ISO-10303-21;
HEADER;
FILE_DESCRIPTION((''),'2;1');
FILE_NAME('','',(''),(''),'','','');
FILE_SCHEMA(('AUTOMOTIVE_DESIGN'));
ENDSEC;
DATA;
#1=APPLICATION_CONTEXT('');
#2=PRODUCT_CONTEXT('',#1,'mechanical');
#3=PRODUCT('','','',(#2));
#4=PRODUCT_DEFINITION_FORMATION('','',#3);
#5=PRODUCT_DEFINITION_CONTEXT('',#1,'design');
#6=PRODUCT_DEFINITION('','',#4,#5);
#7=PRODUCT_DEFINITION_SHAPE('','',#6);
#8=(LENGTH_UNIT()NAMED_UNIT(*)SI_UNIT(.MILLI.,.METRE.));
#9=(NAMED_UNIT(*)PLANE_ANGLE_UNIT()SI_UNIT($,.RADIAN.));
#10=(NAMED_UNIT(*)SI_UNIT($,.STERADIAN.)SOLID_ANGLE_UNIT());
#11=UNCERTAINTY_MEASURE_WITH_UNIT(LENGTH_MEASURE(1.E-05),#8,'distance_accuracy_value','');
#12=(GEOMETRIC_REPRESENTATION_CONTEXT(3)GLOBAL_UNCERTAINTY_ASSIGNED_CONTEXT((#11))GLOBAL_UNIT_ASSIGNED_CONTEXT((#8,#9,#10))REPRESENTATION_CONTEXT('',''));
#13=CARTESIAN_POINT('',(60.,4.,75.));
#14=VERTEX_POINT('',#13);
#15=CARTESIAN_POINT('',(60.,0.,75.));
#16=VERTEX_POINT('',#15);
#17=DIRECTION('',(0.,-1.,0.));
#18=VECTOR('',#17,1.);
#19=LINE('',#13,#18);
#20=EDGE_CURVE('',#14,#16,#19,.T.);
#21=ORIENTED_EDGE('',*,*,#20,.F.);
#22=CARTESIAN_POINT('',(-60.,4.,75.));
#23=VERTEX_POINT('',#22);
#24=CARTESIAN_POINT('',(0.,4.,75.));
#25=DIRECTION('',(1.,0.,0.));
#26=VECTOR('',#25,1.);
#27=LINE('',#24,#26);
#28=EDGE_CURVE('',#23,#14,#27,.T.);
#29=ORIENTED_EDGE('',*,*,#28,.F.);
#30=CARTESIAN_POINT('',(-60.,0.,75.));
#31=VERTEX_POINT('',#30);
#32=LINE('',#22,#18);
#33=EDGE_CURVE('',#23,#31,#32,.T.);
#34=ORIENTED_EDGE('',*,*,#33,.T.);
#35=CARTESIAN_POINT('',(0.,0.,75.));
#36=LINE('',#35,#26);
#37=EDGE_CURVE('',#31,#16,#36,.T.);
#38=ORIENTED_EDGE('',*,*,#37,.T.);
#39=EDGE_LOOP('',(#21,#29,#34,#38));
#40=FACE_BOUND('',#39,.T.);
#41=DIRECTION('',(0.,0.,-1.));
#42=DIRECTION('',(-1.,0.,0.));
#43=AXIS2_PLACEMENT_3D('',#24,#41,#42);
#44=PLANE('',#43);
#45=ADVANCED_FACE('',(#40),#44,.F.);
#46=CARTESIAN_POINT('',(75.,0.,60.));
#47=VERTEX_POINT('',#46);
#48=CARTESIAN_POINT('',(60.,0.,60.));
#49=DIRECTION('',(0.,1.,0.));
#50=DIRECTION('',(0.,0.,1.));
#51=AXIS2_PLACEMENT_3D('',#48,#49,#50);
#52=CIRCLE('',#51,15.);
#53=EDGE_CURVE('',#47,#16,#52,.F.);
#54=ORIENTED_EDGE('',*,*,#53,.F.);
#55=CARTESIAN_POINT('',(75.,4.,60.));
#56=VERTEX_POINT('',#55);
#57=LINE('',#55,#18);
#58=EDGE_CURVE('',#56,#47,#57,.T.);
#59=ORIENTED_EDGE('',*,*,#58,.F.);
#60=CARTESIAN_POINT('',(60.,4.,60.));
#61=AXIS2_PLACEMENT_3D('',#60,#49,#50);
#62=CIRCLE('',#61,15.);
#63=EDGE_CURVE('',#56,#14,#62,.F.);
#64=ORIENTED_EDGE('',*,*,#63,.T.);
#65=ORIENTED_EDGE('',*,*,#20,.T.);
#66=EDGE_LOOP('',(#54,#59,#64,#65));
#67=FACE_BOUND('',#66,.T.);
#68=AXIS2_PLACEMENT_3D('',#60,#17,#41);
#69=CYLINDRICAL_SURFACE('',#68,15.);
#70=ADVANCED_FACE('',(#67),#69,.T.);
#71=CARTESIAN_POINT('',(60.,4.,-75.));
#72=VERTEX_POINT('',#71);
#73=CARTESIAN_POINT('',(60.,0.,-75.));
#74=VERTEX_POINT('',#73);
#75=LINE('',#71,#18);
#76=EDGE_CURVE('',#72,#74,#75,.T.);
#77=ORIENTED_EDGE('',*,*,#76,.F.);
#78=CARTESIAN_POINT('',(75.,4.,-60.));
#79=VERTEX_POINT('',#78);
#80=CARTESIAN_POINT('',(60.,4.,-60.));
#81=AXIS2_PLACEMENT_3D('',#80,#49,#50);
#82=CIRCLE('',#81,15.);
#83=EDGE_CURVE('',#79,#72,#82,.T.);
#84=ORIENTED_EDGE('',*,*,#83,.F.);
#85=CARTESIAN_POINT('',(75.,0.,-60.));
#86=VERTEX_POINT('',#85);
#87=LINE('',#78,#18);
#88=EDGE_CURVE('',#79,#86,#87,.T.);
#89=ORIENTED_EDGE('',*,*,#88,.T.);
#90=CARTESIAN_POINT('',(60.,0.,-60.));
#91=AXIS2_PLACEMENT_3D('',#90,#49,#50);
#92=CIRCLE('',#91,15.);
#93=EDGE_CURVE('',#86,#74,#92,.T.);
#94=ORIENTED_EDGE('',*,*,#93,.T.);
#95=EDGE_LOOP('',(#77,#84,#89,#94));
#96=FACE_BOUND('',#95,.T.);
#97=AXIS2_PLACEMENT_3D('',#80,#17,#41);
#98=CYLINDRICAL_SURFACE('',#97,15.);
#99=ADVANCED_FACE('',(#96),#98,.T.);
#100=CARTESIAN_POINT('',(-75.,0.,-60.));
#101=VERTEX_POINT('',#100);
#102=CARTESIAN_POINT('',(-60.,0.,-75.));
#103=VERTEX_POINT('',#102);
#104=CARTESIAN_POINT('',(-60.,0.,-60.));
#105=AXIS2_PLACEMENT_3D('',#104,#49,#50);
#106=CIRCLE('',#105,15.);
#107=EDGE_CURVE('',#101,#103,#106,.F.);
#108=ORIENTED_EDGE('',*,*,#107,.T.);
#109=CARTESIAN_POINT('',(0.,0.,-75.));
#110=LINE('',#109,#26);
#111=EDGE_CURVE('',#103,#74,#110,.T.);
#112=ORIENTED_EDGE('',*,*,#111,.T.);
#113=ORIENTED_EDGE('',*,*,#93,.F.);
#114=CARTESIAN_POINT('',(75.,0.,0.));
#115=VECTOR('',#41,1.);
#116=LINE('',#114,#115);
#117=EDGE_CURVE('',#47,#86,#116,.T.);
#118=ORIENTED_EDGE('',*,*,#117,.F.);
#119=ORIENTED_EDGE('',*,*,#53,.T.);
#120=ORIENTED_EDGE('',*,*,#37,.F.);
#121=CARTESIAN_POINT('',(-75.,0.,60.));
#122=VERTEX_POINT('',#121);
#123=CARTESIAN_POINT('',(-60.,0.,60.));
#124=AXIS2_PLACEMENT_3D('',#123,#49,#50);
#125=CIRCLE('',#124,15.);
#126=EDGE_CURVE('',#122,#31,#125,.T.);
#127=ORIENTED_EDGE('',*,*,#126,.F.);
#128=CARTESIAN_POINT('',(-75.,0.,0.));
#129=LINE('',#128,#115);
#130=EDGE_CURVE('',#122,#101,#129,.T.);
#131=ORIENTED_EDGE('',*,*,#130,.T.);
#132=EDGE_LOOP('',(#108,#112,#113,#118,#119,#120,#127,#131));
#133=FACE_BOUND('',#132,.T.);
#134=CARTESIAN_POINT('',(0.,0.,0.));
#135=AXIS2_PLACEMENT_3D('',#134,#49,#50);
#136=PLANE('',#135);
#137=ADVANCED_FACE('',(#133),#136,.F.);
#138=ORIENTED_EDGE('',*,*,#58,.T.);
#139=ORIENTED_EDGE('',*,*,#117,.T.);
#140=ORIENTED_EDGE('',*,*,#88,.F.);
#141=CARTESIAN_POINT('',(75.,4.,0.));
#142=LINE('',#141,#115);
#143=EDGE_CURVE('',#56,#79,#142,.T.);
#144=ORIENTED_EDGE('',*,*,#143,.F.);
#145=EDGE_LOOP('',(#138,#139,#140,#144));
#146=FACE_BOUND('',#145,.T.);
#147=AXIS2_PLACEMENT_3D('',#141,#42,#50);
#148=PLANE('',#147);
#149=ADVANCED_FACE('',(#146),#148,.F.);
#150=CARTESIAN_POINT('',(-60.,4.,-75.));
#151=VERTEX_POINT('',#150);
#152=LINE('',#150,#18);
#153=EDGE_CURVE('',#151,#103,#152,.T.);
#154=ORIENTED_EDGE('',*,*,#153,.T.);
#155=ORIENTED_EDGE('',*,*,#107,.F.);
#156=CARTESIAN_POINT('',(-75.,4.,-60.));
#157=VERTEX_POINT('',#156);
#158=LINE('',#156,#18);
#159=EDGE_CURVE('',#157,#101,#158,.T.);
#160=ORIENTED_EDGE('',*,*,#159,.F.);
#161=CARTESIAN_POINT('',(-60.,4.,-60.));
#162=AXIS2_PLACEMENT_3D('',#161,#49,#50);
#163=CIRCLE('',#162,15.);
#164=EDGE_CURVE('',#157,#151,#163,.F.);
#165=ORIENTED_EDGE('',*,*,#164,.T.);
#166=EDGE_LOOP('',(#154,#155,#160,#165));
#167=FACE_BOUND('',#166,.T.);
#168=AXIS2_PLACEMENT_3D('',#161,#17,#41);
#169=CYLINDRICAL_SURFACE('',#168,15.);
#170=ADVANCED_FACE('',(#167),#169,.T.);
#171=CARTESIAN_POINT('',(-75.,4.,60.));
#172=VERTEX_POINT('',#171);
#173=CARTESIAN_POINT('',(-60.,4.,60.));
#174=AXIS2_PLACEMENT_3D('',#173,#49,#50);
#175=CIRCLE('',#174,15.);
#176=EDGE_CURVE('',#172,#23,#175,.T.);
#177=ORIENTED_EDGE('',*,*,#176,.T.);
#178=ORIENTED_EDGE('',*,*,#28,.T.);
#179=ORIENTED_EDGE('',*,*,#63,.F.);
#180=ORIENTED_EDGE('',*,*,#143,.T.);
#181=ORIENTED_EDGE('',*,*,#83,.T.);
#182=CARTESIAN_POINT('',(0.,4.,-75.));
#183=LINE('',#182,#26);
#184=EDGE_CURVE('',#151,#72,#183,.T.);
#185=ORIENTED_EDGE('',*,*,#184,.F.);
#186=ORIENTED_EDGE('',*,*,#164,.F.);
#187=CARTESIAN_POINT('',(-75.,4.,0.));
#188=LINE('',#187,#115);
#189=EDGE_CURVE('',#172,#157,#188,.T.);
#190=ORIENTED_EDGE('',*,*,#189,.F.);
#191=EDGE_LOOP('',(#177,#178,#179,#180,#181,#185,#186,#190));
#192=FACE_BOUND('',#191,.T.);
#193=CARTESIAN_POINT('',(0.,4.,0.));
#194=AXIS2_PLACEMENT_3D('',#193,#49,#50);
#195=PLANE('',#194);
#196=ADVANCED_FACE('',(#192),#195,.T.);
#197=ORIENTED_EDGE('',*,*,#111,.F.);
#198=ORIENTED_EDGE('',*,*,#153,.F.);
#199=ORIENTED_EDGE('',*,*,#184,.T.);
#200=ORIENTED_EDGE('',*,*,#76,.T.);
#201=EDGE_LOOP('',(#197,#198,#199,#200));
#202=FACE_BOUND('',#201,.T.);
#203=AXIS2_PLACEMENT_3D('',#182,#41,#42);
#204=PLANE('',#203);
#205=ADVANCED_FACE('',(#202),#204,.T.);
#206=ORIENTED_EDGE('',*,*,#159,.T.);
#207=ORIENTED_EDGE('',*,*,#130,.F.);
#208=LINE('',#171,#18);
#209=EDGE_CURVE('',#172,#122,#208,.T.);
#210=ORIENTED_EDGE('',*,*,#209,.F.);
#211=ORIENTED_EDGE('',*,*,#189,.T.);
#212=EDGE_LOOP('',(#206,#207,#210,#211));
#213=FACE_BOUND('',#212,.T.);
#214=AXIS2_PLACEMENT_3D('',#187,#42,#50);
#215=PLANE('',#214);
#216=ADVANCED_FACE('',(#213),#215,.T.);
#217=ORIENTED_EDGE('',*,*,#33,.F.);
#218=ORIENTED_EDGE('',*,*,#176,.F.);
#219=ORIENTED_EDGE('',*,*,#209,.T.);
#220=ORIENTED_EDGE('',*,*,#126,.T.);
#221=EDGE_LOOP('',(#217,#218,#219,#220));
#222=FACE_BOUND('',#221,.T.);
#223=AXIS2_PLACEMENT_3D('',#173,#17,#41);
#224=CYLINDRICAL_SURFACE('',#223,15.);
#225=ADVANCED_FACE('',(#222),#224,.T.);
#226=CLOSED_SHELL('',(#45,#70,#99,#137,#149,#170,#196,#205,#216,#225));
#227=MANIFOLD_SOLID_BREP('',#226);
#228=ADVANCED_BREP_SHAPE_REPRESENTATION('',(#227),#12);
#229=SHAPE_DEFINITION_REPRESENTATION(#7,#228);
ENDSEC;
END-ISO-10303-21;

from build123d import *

# Parameters (mm, degrees)
BOSS_EXTRUDE3_DEPTH = 4


with BuildPart() as part:
    # Sketch1 → Boss-Extrude3 (new body)
    with BuildSketch(Plane(origin=(0, 0, 0), x_dir=(1, 0, 0), z_dir=(0, 1, 0))):
        with BuildLine():
            ThreePointArc((-75, -60), (-70.606601718, -70.606601718), (-60, -75))
            Line((-60, -75), (60, -75))
            ThreePointArc((60, -75), (70.606601718, -70.606601718), (75, -60))
            Line((75, -60), (75, 60))
            ThreePointArc((75, 60), (70.606601718, 70.606601718), (60, 75))
            Line((60, 75), (-60, 75))
            ThreePointArc((-60, 75), (-70.606601718, 70.606601718), (-75, 60))
            Line((-75, 60), (-75, -60))
        make_face()
    extrude(amount=BOSS_EXTRUDE3_DEPTH)


solid = part.part
